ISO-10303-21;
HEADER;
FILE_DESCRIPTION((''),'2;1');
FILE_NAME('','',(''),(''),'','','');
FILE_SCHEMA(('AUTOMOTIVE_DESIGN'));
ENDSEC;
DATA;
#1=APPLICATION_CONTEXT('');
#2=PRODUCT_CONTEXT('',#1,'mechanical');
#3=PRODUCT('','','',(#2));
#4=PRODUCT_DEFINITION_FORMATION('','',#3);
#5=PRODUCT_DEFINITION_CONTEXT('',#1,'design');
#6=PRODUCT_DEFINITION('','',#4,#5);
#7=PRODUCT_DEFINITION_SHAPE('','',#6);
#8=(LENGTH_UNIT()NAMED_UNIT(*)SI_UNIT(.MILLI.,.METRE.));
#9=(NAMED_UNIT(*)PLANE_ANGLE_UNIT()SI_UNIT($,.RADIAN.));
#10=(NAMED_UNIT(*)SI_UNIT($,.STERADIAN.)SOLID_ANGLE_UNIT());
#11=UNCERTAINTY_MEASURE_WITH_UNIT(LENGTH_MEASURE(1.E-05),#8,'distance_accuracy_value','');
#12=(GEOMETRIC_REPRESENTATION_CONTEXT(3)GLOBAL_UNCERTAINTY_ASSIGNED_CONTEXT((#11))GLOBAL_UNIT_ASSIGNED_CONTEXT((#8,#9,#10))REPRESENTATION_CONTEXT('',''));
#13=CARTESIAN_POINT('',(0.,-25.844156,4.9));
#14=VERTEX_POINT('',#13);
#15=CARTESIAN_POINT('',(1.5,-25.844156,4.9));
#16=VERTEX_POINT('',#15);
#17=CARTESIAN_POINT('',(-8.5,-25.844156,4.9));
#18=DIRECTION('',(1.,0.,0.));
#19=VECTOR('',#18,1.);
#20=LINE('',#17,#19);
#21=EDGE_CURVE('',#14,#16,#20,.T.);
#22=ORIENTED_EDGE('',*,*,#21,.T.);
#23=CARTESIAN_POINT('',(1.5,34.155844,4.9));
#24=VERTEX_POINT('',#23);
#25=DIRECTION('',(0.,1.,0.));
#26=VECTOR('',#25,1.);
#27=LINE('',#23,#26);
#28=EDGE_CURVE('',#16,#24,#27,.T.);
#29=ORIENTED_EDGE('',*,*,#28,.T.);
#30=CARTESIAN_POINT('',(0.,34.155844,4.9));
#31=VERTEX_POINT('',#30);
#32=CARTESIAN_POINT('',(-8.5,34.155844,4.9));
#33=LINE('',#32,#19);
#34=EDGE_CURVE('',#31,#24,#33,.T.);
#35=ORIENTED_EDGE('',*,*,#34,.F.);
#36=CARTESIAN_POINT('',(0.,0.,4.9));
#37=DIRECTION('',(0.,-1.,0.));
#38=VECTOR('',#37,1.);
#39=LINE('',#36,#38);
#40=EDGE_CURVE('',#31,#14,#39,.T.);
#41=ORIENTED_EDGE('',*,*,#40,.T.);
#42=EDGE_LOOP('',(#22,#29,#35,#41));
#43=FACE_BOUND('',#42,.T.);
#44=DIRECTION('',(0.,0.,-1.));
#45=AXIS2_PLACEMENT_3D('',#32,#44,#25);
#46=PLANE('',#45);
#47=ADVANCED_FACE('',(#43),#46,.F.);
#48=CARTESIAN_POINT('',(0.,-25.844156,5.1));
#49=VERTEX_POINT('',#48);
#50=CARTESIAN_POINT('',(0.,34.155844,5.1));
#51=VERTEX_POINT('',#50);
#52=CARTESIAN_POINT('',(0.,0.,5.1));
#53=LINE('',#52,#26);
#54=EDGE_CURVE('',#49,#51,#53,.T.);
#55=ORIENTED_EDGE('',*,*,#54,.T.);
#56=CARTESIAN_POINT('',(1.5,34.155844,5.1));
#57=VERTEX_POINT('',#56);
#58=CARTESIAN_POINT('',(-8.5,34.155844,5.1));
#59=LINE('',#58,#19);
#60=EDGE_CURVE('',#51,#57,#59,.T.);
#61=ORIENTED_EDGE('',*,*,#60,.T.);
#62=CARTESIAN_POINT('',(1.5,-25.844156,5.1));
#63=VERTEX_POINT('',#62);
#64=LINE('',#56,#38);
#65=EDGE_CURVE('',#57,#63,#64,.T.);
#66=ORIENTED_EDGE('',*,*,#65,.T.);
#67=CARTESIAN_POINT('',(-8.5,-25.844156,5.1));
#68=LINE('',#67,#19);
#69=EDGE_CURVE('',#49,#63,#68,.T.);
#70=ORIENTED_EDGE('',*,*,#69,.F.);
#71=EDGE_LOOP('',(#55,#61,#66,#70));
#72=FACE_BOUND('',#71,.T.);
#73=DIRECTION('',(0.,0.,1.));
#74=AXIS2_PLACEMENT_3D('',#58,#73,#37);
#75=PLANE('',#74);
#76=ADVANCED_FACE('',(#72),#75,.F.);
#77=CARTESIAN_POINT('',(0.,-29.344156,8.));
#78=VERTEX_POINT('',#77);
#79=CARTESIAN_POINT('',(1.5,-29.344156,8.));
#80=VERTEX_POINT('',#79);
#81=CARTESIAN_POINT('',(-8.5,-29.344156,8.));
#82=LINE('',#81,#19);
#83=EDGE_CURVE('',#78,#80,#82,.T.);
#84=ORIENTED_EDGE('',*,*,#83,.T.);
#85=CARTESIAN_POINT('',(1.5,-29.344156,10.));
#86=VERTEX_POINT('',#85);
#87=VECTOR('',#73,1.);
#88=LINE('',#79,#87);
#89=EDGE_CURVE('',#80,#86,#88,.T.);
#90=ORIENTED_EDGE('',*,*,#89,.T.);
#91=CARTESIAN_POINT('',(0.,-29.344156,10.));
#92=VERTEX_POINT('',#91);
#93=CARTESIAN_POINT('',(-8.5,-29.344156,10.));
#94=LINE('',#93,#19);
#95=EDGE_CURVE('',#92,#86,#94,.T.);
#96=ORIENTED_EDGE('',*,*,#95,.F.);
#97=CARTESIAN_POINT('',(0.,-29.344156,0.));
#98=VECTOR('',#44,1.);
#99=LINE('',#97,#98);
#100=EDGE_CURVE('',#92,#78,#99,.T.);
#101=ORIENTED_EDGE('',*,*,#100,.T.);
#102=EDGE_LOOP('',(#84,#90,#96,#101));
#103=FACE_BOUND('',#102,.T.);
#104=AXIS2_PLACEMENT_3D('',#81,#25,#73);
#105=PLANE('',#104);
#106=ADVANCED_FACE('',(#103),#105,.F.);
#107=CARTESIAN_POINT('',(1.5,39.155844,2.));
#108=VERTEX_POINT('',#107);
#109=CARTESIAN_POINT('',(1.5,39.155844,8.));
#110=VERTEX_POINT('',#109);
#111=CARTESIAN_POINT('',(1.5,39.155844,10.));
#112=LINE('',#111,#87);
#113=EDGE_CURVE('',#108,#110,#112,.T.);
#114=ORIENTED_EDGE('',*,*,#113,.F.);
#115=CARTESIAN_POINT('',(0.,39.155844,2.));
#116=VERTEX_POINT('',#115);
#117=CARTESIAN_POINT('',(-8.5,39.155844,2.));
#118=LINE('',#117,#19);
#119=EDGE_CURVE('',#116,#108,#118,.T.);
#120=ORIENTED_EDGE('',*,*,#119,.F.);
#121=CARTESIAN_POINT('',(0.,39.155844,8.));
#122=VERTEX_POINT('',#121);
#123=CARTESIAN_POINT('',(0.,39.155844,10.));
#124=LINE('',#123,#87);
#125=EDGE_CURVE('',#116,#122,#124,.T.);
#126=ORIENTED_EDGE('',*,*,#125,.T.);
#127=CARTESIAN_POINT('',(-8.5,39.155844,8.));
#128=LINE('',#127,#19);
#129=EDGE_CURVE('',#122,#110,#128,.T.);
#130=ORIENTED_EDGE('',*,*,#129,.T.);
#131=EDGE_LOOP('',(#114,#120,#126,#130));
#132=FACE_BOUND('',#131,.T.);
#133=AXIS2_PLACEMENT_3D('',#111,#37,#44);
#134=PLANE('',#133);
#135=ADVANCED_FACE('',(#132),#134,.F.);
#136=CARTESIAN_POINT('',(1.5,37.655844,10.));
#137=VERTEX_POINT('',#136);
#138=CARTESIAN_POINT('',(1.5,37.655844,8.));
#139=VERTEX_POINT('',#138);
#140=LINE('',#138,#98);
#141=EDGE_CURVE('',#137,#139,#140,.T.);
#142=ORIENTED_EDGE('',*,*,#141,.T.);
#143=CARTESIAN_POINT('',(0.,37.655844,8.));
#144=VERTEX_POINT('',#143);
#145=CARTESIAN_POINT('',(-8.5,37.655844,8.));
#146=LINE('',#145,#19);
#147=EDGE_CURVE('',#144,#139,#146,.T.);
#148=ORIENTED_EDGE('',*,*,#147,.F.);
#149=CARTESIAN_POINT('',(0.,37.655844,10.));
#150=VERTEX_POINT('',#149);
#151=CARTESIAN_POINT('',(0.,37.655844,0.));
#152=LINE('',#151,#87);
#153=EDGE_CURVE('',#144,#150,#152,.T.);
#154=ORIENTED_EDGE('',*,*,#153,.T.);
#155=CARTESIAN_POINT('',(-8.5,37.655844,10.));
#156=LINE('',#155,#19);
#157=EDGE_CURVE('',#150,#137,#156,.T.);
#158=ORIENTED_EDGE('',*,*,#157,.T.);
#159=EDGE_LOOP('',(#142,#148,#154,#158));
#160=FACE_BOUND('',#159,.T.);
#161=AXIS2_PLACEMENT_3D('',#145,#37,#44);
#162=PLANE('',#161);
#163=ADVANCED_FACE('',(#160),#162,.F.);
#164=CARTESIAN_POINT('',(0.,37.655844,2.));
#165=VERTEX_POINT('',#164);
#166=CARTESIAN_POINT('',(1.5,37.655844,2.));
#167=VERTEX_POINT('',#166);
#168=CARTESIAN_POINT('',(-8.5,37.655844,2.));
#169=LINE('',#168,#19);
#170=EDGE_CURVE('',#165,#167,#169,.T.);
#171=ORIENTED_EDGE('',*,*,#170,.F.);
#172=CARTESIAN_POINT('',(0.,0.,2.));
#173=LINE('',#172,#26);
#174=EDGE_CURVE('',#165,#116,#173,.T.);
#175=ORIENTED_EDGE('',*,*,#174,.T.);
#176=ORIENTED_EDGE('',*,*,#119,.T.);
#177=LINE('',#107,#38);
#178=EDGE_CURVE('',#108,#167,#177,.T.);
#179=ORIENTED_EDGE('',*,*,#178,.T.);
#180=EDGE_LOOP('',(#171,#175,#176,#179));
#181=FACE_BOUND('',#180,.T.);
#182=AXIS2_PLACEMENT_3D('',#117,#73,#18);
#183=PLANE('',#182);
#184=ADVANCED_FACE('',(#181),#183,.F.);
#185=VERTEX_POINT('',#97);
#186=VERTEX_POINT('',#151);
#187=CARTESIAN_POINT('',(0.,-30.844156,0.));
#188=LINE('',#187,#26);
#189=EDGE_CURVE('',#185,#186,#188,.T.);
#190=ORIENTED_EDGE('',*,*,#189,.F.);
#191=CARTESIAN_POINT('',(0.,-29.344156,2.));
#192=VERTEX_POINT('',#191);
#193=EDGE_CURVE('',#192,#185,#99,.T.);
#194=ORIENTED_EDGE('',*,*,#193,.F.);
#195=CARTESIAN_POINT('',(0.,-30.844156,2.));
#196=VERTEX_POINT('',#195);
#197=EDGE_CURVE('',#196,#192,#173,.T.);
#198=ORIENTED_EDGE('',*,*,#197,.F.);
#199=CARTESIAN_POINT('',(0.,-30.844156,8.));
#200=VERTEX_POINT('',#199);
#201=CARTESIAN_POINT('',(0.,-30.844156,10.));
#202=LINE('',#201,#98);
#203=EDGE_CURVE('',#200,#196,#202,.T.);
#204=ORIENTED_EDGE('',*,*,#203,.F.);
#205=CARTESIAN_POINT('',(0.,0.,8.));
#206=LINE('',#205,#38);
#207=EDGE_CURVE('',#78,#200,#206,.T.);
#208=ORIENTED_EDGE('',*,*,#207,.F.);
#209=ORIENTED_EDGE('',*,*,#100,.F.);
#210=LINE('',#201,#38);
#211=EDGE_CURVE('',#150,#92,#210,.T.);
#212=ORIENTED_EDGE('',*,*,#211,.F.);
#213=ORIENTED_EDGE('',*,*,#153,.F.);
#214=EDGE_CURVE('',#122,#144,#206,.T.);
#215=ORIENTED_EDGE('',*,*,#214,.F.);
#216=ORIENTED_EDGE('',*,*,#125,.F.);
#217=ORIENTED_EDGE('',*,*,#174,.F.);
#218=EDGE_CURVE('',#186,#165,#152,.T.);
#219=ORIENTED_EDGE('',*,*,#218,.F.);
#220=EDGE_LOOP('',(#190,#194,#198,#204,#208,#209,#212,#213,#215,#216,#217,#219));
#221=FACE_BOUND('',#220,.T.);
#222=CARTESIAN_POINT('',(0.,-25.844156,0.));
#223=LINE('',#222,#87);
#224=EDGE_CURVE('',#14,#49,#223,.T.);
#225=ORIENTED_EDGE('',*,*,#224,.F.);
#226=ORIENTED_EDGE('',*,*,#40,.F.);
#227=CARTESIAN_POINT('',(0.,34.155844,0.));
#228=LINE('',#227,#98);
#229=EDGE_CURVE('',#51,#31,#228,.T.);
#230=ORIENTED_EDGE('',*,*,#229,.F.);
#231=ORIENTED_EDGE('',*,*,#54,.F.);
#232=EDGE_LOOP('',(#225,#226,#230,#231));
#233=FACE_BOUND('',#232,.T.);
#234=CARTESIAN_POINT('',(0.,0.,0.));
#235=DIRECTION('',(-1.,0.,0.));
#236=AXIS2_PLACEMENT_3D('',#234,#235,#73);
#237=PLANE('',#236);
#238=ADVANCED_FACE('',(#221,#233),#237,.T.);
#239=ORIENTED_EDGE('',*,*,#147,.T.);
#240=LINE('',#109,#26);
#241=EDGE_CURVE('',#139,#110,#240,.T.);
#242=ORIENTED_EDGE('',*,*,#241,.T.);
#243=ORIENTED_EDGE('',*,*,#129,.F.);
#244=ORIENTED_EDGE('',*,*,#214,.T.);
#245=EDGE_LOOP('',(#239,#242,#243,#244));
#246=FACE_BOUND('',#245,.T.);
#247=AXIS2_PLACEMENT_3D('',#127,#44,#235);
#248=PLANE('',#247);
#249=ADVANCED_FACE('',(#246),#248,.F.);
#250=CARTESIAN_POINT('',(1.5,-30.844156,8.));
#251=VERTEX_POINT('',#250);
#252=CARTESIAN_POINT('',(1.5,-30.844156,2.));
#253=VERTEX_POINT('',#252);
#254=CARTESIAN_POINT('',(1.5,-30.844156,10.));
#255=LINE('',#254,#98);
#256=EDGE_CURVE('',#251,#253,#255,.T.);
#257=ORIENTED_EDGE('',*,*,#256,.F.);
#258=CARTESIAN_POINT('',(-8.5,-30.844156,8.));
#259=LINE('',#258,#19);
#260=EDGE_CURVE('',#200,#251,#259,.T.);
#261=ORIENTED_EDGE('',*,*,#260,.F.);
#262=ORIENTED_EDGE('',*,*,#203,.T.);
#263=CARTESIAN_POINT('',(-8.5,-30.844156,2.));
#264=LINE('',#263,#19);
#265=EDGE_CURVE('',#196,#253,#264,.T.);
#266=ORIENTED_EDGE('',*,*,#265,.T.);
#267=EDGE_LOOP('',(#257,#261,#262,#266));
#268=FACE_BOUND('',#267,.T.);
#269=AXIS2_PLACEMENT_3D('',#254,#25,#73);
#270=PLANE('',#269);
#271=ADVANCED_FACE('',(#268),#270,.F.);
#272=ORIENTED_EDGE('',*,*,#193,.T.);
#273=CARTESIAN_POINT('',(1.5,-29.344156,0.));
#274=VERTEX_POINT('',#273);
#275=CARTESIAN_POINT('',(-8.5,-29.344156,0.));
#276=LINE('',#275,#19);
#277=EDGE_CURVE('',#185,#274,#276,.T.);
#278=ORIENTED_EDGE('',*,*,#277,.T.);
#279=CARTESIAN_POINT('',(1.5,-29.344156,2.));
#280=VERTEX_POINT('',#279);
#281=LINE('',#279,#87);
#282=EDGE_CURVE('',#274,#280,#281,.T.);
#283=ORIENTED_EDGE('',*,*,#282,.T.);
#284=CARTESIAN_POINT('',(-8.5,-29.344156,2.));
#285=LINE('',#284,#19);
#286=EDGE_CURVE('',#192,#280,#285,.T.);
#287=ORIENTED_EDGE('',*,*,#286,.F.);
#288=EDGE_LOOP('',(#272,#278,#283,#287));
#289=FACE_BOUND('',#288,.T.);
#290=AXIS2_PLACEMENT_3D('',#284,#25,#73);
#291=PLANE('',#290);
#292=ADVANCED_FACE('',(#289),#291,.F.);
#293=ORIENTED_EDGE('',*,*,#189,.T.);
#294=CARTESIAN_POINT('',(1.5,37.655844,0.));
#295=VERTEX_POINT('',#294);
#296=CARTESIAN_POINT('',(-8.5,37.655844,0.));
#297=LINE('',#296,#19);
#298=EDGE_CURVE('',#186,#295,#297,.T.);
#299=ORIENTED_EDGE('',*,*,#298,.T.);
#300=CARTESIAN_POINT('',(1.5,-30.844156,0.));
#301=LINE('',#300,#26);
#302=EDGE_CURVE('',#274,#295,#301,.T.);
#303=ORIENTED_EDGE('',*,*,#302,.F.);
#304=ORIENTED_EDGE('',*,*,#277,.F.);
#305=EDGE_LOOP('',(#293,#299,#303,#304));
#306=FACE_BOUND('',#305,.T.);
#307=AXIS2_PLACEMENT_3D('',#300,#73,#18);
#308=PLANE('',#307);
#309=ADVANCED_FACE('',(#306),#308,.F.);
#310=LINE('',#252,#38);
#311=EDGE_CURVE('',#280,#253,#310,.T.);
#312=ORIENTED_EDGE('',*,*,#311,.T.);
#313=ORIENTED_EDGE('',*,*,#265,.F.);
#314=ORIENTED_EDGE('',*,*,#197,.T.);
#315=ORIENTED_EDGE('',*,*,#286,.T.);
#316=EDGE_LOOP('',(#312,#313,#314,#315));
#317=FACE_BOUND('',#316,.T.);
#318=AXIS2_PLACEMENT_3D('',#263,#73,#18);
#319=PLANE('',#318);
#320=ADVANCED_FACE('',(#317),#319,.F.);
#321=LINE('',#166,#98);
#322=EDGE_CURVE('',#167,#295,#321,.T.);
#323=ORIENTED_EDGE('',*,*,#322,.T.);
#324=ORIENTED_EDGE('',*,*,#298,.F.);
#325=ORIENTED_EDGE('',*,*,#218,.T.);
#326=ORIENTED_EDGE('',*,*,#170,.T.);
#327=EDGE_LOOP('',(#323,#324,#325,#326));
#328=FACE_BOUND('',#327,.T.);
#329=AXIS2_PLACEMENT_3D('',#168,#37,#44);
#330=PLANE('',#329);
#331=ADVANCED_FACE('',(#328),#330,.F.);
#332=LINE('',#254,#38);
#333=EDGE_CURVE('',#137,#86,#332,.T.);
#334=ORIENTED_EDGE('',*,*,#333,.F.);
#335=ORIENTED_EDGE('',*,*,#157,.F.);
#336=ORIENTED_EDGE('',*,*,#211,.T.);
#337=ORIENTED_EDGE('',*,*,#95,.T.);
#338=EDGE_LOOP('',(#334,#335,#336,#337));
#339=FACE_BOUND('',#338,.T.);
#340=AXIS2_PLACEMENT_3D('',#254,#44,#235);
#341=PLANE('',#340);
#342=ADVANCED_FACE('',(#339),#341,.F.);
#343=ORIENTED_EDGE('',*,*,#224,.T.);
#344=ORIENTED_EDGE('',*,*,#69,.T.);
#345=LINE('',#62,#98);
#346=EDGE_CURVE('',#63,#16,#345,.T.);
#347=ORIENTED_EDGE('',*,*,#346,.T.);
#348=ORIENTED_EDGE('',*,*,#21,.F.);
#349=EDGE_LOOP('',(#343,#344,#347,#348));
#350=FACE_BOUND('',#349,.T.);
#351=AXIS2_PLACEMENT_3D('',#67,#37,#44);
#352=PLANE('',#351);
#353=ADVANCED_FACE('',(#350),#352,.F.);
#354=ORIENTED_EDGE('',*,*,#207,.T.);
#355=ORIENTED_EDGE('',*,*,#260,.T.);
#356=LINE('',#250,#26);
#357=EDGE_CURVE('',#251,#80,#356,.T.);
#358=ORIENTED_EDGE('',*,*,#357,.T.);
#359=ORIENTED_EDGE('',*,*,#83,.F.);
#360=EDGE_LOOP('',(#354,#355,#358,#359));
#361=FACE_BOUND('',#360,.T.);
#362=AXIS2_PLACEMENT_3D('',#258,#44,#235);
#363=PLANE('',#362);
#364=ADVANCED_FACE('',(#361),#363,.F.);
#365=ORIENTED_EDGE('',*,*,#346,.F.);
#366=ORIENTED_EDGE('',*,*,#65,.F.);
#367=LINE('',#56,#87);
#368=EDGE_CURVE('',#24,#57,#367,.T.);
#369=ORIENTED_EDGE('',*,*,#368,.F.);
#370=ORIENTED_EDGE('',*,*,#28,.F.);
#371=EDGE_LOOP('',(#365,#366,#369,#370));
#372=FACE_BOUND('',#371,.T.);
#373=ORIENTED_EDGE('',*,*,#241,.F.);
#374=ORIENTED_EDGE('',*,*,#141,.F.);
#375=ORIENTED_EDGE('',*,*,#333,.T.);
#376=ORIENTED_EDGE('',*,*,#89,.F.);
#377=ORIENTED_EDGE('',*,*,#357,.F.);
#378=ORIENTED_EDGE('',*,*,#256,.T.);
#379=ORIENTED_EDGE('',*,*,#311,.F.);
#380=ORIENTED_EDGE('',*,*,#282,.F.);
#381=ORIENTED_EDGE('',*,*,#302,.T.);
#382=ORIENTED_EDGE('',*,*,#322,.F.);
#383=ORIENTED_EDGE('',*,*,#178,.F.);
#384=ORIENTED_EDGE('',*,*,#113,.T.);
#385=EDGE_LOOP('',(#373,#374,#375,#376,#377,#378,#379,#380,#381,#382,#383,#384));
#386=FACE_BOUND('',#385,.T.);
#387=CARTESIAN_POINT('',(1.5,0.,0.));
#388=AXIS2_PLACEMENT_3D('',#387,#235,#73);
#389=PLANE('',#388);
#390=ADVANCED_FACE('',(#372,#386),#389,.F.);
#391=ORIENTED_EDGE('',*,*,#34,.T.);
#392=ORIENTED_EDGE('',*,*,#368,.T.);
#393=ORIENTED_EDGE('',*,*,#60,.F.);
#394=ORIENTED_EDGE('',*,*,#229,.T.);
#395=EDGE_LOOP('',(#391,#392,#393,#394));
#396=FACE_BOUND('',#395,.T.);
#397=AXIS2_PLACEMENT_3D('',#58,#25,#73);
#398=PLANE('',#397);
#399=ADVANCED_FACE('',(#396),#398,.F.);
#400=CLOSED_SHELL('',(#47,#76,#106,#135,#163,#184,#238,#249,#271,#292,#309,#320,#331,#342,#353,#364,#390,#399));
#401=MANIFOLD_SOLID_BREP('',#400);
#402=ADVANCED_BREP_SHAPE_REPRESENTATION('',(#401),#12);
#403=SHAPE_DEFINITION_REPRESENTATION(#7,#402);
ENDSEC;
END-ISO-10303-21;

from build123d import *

# Parameters (mm, degrees)
SKETCH1_W           = 10
SKETCH1_H           = 70
BOSS_EXTRUDE1_DEPTH = 1.5
SKETCH2_W           = 2
SKETCH2_H           = 1.5
CUT_EXTRUDE1_DEPTH  = 10
SKETCH3_W           = 0.2
SKETCH3_H           = 60
CUT_EXTRUDE2_DEPTH  = 10


with BuildPart() as part:
    # Sketch1 → Boss-Extrude1 (new body)
    with BuildSketch(Plane(origin=(0, 0, 0), x_dir=(0, 0, -1), z_dir=(1, 0, 0))):
        with Locations((-5, 4.155844156)):
            Rectangle(SKETCH1_W, SKETCH1_H)
    extrude(amount=BOSS_EXTRUDE1_DEPTH)

    # Sketch2 → Cut-Extrude1 (cut)
    with BuildSketch(Plane(origin=(1.5, 0, 0), x_dir=(0, 0, -1), z_dir=(1, 0, 0))):
        with Locations((-9, 38.405844156)):
            Rectangle(SKETCH2_W, SKETCH2_H)
        with Locations((-1, 38.405844156)):
            Rectangle(SKETCH2_W, SKETCH2_H)
        with Locations((-1, -30.094155844)):
            Rectangle(SKETCH2_W, SKETCH2_H)
        with Locations((-9, -30.094155844)):
            Rectangle(SKETCH2_W, SKETCH2_H)
    extrude(amount=-CUT_EXTRUDE1_DEPTH, mode=Mode.SUBTRACT)

    # Sketch3 → Cut-Extrude2 (cut)
    with BuildSketch(Plane(origin=(1.5, 0, 0), x_dir=(0, 0, -1), z_dir=(1, 0, 0))):
        with Locations((-5, 4.155844156)):
            Rectangle(SKETCH3_W, SKETCH3_H)
    extrude(amount=-CUT_EXTRUDE2_DEPTH, mode=Mode.SUBTRACT)


solid = part.part
